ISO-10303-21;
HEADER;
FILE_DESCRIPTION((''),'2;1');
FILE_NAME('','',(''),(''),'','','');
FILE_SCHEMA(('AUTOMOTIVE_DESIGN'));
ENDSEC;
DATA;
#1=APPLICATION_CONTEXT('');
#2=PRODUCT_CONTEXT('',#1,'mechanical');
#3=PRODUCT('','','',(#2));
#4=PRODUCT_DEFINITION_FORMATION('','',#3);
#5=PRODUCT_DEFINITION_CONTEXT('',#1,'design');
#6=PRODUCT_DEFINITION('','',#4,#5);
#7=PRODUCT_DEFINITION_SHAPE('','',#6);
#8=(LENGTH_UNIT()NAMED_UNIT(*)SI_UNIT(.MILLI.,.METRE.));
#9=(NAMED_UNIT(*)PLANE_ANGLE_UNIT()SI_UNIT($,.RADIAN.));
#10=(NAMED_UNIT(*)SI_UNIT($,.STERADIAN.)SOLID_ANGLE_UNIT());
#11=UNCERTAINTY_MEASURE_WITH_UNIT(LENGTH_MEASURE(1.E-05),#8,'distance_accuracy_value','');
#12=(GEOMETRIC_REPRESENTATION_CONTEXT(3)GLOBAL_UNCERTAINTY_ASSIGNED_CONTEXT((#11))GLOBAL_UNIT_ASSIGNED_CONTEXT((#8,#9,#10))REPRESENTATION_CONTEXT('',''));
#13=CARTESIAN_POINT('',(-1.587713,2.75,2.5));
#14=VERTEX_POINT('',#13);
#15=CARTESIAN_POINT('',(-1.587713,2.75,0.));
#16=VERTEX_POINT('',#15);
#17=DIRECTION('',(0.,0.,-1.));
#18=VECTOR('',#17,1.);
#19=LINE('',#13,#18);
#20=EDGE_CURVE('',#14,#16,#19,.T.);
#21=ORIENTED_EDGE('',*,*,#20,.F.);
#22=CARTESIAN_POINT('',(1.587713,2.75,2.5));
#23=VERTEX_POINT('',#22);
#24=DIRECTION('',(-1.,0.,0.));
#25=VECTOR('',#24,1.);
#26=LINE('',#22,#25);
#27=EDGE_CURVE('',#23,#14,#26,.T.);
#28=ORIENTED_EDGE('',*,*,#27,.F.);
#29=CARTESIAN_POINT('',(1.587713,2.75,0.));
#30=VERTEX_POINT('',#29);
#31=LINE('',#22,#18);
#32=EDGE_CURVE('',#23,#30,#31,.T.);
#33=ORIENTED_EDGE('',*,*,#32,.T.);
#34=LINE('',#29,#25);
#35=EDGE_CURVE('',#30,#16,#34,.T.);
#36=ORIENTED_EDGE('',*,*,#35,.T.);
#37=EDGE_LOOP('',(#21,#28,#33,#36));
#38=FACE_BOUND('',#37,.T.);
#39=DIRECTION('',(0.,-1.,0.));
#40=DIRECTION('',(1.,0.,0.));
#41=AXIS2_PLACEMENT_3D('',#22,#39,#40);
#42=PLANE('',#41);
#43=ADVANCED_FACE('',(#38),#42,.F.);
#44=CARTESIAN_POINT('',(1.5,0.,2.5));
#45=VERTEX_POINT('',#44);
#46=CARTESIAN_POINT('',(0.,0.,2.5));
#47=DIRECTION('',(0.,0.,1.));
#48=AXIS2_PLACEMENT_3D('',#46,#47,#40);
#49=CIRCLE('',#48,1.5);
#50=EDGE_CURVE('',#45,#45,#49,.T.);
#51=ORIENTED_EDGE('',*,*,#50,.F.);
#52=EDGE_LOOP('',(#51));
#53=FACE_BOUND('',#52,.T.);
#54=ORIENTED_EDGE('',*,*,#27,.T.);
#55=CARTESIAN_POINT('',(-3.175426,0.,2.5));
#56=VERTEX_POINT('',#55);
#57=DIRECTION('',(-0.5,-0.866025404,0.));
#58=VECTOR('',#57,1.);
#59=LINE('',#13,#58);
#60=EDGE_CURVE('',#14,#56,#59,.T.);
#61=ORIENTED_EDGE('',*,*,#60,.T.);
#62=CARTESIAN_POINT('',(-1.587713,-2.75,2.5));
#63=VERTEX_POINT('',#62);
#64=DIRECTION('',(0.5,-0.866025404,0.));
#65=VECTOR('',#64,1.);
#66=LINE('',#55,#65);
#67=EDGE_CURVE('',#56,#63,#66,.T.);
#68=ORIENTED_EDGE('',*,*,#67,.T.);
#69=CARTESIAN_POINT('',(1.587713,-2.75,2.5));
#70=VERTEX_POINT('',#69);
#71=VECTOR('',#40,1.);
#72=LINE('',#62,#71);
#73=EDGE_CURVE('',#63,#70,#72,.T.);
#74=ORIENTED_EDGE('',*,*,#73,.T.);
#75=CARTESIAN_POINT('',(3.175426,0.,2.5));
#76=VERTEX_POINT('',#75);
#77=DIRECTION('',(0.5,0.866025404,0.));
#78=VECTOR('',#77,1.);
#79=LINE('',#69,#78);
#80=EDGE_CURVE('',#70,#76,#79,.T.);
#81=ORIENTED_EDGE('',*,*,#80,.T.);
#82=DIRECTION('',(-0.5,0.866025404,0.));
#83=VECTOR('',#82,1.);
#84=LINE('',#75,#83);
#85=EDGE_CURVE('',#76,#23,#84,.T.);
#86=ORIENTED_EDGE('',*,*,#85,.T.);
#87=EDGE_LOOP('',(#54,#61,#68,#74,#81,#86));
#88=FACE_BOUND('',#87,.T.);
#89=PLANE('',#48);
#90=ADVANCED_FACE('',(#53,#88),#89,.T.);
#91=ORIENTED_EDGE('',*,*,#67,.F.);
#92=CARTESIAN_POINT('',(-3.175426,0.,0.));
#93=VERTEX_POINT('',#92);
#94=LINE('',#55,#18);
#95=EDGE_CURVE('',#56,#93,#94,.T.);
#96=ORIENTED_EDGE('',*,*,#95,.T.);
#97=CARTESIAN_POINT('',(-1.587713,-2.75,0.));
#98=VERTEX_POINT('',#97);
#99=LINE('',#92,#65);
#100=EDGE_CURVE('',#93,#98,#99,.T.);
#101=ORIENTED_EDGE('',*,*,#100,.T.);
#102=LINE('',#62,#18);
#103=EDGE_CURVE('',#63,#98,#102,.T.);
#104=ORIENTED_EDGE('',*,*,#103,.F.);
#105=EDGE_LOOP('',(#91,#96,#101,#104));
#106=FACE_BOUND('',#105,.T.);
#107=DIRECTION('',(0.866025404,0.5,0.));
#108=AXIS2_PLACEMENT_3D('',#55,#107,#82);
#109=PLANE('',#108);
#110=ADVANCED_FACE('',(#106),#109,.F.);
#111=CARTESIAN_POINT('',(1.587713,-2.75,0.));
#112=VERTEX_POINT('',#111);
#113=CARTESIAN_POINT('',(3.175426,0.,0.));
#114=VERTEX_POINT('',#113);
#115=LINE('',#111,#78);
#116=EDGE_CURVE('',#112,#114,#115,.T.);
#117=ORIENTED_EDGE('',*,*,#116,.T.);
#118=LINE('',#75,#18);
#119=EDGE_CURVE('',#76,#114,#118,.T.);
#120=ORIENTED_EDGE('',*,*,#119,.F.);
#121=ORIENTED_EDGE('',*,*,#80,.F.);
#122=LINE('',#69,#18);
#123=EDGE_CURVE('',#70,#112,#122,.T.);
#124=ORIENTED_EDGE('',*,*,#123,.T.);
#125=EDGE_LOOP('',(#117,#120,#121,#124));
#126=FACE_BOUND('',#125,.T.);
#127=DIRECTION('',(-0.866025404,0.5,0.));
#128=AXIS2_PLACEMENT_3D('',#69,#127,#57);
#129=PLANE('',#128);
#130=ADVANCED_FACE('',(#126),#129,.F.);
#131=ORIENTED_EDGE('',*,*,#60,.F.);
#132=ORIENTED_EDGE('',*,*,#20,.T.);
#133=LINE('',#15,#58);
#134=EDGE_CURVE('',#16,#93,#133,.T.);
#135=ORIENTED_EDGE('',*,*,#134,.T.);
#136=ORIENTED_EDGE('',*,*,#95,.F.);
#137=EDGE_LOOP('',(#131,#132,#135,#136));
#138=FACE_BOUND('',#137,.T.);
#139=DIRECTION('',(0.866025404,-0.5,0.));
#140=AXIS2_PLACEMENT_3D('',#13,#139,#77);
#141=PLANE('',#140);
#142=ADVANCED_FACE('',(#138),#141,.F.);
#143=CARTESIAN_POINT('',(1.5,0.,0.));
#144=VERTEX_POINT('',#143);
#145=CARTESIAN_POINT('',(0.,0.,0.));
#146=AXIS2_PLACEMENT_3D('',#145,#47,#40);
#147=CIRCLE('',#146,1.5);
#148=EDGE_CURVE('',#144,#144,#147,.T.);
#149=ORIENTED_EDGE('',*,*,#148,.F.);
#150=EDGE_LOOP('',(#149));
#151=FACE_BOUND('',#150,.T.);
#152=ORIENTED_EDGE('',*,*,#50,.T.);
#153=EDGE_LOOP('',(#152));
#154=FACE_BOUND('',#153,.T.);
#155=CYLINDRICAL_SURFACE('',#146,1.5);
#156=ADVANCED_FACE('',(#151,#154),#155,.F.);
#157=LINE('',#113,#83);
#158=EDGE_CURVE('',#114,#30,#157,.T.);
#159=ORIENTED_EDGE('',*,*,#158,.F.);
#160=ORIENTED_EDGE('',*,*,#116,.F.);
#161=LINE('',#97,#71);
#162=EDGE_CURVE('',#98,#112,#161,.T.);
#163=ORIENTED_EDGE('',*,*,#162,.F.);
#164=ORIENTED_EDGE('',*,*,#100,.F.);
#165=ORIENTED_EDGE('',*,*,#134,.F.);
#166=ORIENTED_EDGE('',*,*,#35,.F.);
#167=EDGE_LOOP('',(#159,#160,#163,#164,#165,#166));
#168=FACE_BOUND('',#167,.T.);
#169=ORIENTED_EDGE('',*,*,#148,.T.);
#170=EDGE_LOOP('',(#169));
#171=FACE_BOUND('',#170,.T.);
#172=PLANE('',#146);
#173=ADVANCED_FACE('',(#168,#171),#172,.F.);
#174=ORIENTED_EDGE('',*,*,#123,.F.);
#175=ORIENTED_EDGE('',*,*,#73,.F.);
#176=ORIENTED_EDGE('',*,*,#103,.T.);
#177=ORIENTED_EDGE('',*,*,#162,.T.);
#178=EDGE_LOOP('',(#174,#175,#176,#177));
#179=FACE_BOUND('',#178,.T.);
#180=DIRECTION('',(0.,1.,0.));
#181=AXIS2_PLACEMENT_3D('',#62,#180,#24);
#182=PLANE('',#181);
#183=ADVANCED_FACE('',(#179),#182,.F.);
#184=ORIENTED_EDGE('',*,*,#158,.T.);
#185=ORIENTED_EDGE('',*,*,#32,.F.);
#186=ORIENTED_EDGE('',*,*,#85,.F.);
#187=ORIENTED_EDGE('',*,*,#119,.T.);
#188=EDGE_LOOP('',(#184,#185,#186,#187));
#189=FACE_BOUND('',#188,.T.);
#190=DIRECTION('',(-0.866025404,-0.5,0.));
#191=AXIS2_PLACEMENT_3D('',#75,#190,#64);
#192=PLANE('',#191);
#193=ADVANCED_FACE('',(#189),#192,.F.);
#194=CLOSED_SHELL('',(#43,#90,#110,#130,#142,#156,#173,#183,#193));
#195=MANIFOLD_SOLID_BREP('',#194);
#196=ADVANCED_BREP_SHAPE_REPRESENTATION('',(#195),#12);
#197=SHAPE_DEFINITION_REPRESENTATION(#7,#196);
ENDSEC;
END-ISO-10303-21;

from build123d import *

# Parameters (mm, degrees)
EXTRUDE_1_DEPTH     = 2.5
SKETCH_2_R          = 1.5
CUT_EXTRUDE_1_DEPTH = 3.5


with BuildPart() as part:
    # 草图1 → 凸台-拉伸1 (new body)
    with BuildSketch(Plane.XY):
        Polygon((1.58771324, 2.75), (-1.58771324, 2.75), (-3.175426481, 0), (-1.58771324, -2.75), (1.58771324, -2.75), (3.175426481, 0), align=None)
    extrude(amount=EXTRUDE_1_DEPTH)

    # 草图2 → 切除-拉伸1 (cut, through all)
    with BuildSketch(Plane.XY.offset(2.5)):
        Circle(SKETCH_2_R)
    extrude(amount=-CUT_EXTRUDE_1_DEPTH, mode=Mode.SUBTRACT)


solid = part.part
